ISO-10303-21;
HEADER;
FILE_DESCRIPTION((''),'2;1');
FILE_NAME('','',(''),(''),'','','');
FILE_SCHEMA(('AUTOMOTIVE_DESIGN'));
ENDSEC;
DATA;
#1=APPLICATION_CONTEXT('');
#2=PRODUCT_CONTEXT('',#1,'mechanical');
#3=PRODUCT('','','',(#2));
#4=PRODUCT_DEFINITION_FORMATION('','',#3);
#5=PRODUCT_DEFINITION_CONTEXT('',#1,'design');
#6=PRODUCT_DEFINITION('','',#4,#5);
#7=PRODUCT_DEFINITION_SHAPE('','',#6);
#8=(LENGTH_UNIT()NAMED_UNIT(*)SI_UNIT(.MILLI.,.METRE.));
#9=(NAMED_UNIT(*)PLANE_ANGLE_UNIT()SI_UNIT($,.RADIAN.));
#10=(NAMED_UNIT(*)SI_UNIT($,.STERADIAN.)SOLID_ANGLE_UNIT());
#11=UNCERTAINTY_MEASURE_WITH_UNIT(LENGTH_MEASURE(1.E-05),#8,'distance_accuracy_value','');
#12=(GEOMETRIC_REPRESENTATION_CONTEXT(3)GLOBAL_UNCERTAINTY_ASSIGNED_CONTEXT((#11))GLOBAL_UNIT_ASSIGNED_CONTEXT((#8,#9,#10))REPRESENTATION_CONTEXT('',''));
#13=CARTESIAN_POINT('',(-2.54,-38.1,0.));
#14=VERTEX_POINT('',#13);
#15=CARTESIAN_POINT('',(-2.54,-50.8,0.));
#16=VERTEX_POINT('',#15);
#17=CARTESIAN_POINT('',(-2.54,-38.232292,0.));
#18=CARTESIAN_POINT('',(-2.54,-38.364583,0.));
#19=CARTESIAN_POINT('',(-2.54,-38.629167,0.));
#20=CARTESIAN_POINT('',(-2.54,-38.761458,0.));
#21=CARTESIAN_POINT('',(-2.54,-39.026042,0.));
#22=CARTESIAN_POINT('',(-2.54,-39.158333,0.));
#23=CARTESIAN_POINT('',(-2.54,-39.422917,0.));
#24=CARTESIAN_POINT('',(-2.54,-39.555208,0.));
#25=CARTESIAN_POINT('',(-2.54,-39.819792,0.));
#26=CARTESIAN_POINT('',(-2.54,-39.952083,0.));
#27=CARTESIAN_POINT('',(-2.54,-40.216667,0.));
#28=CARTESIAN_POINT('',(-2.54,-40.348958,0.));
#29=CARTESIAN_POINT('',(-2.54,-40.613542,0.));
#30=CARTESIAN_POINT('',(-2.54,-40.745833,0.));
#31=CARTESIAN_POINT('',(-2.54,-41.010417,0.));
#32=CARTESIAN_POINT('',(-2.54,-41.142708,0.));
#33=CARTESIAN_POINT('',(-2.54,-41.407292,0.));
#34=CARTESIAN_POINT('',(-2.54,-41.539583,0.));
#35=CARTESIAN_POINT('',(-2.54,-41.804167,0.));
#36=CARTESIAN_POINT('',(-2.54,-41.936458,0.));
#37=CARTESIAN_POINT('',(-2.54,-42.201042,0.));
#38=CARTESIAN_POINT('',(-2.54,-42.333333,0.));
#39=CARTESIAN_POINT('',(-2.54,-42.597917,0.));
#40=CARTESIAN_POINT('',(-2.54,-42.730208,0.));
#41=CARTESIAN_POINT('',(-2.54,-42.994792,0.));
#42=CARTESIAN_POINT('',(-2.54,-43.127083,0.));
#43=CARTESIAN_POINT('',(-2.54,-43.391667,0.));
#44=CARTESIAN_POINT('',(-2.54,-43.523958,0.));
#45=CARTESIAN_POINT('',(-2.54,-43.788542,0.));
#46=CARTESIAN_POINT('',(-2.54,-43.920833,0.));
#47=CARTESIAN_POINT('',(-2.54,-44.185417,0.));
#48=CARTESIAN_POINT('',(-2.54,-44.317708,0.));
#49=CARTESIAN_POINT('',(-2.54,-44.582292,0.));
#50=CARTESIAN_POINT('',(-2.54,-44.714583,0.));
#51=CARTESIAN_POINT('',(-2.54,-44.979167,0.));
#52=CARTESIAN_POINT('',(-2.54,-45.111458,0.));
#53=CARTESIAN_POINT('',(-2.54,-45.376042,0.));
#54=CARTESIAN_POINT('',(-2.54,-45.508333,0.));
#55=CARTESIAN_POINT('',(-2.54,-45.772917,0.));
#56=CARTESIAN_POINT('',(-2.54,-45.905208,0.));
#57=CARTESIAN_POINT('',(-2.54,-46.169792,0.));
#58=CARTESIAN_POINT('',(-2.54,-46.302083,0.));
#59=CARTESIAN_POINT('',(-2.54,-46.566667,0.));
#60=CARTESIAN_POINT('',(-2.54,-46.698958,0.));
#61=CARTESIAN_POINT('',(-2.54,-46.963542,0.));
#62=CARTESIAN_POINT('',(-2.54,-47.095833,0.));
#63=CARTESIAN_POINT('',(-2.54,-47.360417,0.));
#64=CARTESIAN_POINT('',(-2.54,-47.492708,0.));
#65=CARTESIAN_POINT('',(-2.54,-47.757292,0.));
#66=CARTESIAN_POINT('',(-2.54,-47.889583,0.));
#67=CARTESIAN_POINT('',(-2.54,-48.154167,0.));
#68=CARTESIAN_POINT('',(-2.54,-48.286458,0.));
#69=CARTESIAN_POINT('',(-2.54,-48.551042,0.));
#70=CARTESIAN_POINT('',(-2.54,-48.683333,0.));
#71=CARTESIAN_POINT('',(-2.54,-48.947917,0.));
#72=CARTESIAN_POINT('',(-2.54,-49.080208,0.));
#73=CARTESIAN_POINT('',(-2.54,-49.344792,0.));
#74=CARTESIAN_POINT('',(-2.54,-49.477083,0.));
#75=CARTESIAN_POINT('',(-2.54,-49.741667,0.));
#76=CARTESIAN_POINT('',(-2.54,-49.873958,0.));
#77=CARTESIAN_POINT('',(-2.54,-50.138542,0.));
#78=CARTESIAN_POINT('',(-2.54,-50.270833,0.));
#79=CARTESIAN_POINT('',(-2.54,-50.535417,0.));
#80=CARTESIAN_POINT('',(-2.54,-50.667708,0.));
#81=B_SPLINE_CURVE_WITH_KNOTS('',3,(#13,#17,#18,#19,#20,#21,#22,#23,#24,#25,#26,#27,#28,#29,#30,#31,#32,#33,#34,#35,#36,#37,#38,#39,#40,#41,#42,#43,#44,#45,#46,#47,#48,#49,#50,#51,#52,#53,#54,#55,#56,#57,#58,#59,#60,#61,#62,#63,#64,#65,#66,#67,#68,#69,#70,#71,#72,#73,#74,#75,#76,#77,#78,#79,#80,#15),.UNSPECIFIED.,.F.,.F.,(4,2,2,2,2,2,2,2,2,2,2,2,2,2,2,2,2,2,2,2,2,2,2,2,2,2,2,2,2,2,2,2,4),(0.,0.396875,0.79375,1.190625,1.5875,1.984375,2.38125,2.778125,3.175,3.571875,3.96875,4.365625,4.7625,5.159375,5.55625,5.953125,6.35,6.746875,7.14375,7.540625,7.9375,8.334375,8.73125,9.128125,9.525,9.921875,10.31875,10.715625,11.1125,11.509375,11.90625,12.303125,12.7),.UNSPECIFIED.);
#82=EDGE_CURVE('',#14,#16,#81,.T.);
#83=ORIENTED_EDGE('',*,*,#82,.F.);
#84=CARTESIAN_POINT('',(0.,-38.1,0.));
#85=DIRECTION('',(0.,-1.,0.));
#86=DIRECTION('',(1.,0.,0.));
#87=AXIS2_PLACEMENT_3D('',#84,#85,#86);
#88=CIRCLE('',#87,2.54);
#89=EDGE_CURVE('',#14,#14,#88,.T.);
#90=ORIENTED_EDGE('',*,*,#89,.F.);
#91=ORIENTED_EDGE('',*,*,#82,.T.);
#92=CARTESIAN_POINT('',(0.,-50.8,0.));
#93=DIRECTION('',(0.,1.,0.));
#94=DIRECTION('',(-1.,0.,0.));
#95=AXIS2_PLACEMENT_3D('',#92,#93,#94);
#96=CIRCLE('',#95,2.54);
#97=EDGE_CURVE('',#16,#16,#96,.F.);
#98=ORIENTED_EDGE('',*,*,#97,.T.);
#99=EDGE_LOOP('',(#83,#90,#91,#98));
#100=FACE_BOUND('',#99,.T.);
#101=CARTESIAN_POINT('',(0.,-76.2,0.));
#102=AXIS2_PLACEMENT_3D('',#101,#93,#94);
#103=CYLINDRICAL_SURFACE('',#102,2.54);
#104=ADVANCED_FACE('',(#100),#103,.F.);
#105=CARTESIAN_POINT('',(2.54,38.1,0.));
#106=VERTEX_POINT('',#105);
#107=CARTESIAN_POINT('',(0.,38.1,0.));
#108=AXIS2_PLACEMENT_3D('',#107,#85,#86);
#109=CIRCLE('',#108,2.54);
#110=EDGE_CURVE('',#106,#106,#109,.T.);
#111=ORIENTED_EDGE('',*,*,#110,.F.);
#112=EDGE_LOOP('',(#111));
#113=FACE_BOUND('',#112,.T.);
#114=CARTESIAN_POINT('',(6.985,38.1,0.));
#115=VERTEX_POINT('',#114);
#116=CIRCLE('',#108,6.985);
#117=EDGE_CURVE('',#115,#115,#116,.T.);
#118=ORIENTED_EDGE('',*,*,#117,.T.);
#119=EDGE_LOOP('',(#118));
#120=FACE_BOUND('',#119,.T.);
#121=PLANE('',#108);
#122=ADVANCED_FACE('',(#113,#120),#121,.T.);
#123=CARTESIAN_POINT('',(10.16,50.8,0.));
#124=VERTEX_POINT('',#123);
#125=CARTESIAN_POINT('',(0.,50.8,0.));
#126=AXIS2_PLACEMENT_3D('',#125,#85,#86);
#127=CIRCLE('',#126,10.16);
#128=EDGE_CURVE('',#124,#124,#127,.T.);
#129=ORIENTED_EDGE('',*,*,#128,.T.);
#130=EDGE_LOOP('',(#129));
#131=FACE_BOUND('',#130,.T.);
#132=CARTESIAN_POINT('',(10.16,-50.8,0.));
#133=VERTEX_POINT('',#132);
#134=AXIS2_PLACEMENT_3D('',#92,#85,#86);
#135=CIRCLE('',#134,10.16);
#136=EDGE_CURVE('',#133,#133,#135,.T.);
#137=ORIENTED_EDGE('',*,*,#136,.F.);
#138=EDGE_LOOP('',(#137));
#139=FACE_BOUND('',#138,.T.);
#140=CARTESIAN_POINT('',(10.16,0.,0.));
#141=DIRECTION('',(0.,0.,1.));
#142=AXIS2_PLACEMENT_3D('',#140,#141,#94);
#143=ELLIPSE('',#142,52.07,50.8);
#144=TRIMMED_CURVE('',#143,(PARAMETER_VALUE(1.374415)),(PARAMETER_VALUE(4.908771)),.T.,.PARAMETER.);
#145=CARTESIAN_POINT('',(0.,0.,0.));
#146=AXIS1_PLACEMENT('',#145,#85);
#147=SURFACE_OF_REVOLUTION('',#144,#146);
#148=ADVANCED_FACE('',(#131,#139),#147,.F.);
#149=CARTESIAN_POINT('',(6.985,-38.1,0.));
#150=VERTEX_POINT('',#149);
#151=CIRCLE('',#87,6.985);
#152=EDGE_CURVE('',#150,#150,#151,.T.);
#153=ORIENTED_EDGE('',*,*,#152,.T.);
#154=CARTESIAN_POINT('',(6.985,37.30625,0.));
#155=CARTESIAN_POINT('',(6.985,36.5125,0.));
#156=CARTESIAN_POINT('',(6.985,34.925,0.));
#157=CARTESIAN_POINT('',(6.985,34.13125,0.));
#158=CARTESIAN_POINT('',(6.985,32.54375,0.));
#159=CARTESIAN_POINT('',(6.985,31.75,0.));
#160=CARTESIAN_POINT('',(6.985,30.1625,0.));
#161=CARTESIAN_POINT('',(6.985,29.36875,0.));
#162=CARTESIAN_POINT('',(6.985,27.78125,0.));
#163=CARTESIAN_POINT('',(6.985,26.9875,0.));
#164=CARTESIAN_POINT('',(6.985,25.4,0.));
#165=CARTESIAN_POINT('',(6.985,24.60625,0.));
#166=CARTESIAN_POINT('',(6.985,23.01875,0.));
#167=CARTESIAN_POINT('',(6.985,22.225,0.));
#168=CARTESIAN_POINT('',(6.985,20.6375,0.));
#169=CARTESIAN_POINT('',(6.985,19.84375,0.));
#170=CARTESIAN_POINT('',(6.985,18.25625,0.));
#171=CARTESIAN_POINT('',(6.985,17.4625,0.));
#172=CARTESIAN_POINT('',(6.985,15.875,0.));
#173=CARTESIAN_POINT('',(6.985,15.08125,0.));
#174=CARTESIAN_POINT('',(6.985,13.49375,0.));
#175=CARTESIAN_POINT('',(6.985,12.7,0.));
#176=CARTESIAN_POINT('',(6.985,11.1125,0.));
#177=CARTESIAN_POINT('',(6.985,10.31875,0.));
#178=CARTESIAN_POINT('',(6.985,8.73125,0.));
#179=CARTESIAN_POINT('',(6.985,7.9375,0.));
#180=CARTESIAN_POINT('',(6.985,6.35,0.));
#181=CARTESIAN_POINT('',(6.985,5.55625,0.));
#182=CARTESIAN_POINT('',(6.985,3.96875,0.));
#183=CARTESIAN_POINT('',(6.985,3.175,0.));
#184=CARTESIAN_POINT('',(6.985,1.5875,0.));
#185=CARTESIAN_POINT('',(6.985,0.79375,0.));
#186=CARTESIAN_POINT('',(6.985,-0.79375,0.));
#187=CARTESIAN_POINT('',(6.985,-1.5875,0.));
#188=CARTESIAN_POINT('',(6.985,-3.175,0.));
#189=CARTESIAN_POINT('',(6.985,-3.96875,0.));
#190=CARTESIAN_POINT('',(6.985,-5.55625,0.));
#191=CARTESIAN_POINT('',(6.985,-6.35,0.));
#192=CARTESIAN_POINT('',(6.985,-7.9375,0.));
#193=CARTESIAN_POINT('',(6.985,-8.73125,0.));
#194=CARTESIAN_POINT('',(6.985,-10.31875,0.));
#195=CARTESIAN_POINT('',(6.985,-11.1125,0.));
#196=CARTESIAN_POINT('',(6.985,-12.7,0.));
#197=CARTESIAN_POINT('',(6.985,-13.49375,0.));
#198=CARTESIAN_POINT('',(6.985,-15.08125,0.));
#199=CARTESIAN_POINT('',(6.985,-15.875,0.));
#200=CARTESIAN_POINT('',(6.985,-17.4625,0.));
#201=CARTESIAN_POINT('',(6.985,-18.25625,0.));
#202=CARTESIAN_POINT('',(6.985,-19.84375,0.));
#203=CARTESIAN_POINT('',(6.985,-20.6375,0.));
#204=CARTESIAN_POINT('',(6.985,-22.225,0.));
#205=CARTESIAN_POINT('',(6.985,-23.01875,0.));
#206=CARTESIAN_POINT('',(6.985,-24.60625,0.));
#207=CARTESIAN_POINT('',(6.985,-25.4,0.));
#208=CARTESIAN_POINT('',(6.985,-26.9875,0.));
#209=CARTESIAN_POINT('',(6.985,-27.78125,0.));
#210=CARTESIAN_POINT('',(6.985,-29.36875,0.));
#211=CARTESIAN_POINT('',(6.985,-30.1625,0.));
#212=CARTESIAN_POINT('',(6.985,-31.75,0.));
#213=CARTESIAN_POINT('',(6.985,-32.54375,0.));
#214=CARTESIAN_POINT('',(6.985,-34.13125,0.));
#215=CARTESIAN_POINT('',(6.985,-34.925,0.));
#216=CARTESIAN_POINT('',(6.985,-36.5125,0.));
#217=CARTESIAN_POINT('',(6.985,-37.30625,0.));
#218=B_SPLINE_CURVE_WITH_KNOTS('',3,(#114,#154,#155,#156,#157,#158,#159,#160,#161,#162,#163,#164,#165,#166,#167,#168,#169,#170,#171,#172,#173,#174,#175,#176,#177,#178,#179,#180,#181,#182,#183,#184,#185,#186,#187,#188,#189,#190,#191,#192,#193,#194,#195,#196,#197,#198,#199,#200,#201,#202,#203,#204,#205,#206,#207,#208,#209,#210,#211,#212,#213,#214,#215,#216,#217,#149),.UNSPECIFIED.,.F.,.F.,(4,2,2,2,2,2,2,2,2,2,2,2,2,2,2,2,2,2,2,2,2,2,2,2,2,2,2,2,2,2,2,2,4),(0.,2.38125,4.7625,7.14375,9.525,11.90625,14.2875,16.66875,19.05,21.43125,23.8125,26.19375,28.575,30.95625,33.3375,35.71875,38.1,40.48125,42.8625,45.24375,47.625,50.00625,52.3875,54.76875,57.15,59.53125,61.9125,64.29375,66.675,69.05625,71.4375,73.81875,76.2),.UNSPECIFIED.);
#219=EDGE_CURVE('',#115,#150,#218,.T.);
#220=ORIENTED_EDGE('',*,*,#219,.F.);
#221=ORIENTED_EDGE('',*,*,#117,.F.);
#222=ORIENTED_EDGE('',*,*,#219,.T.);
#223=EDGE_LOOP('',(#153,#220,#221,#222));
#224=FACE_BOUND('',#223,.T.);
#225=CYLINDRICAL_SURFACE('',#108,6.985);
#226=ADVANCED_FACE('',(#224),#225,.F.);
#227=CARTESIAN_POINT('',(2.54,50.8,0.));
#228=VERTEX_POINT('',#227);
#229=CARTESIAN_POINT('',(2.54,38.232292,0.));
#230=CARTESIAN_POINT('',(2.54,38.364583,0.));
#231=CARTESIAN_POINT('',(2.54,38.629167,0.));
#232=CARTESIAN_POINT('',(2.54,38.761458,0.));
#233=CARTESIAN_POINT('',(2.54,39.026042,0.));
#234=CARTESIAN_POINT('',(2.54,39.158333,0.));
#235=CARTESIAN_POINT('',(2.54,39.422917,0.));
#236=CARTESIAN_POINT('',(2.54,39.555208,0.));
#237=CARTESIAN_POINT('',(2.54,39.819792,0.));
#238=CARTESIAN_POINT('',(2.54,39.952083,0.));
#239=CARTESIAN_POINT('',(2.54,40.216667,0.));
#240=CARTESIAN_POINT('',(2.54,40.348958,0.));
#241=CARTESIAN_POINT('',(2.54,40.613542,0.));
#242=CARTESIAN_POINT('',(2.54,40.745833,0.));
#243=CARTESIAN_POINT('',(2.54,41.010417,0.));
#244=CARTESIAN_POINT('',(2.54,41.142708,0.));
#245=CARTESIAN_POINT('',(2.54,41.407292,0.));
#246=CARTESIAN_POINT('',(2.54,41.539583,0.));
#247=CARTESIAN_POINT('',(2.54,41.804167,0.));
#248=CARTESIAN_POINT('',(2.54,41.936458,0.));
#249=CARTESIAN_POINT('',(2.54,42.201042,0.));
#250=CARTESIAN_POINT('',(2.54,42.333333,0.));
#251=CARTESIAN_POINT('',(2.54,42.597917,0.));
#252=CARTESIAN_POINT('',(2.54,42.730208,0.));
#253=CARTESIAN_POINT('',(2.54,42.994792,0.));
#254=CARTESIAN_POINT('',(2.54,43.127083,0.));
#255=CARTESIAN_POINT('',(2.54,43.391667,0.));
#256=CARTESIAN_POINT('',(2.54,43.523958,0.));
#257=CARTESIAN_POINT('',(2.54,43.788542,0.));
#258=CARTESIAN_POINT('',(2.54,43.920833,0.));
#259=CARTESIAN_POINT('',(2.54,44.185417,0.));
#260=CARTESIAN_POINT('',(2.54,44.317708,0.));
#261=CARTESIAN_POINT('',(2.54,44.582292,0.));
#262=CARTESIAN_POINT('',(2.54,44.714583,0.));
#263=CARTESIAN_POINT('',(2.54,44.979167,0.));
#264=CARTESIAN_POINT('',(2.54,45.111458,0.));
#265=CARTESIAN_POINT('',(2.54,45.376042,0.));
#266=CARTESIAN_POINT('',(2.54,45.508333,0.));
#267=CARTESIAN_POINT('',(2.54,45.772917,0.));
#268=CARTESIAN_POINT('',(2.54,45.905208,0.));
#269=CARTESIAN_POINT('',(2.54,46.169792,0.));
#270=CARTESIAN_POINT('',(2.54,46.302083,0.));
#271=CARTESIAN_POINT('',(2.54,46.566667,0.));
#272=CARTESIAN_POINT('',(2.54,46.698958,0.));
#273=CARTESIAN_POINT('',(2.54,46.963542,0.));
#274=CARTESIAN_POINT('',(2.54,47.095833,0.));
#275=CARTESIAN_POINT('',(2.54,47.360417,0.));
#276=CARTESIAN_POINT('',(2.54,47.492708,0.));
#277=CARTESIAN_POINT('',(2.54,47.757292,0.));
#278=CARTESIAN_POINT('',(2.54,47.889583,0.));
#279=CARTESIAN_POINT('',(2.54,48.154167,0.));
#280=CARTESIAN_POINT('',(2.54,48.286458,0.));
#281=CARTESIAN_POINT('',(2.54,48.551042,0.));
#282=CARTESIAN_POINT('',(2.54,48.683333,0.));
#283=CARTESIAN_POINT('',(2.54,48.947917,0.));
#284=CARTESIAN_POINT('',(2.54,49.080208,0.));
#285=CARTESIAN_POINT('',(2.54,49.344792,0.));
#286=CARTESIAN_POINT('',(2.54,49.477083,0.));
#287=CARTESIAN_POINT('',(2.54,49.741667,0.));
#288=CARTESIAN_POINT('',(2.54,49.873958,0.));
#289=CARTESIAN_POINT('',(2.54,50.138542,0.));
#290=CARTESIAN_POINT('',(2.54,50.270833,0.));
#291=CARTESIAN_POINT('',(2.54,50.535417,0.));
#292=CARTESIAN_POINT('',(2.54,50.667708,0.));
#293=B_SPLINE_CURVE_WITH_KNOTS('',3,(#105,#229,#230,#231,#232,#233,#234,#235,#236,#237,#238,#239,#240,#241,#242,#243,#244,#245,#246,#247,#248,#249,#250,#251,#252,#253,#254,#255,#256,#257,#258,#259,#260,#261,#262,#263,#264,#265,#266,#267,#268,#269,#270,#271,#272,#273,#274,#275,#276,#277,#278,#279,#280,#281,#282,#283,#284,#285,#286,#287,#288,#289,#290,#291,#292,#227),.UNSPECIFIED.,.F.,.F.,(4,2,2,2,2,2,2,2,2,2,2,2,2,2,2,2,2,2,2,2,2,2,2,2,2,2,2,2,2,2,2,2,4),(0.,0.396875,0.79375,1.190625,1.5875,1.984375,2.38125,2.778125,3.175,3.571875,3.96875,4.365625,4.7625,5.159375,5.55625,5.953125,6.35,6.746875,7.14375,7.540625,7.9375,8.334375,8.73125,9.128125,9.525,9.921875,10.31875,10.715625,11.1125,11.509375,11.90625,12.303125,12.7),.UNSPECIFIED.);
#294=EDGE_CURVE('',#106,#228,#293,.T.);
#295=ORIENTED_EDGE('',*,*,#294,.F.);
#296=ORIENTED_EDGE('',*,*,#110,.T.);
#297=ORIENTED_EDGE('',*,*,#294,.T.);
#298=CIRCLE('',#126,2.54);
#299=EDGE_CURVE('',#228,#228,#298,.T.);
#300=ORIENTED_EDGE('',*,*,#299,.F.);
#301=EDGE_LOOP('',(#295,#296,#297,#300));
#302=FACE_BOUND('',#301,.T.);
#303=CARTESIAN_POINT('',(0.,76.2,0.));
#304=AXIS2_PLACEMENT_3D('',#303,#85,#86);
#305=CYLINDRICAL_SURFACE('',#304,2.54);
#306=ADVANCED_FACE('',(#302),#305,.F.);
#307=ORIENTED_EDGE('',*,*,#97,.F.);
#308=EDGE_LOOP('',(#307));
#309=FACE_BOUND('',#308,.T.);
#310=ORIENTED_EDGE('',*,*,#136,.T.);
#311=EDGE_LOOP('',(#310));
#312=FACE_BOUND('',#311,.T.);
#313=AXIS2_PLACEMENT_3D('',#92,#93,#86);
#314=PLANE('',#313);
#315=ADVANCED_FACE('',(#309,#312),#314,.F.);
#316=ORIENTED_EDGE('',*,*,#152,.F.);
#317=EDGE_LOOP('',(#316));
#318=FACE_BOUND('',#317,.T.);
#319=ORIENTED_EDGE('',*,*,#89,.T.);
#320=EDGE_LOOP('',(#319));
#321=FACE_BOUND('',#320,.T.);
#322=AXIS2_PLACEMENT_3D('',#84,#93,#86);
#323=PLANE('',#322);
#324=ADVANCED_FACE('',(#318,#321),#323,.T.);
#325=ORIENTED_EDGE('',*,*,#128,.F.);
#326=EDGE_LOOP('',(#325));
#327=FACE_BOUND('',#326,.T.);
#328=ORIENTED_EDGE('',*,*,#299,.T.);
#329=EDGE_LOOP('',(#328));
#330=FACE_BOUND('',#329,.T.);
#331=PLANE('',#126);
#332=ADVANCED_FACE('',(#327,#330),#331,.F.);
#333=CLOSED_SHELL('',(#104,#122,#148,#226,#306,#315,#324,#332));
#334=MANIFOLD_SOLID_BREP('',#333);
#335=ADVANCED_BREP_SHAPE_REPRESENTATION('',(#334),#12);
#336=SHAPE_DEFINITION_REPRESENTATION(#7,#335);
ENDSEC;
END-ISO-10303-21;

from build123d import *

# Parameters (mm, degrees)
SKETCH5_R          = 6.985
CUT_EXTRUDE1_DEPTH = 38.1
SKETCH6_R          = 2.54
CUT_EXTRUDE2_DEPTH = 38.1


with BuildPart() as part:
    # Sketch4 → Revolve1 (revolve)
    with BuildSketch(Plane.XY):
        with BuildLine():
            Line((0, 0), (62.23, 0))
            add(Edge.make_bspline(
                [(62.23, 0), (62.23, 50.8), (10.16, 50.8)],
                knots=[3.141592654, 3.141592654, 3.141592654, 4.71238898, 4.71238898, 4.71238898], degree=2, weights=[1, 0.707106781, 1]))
            Line((10.16, 50.8), (0, 50.8))
            Line((0, 50.8), (0, 0))
        make_face()
    revolve1 = revolve(axis=Axis((0, 0, 0), (0, 1, 0)))

    # Sketch5 → Cut-Extrude1 (cut)
    with BuildSketch(Plane.XZ):
        Circle(SKETCH5_R)
    cut_extrude1 = extrude(amount=-CUT_EXTRUDE1_DEPTH, mode=Mode.SUBTRACT)

    # Sketch6 → Cut-Extrude2 (cut)
    with BuildSketch(Plane.XZ.offset(-38.1)):
        Circle(SKETCH6_R)
    cut_extrude2 = extrude(amount=-CUT_EXTRUDE2_DEPTH, mode=Mode.SUBTRACT)


with BuildPart() as mirror1_1:
    # Mirror1: Revolve1 across Top Plane
    add(revolve1.mirror(Plane(origin=(0, 0, 0), x_dir=(1, 0, 0), z_dir=(0, 1, 0))))

    # Mirror1 2: Cut-Extrude1, Cut-Extrude2 across Top Plane
    add(cut_extrude1.mirror(Plane(origin=(0, 0, 0), x_dir=(1, 0, 0), z_dir=(0, 1, 0))), mode=Mode.SUBTRACT)
    add(cut_extrude2.mirror(Plane(origin=(0, 0, 0), x_dir=(1, 0, 0), z_dir=(0, 1, 0))), mode=Mode.SUBTRACT)


with BuildPart() as part_1:
    add(part.part)

    # Mirror1 united with what the copies touc: union Mirror1_1
    add(mirror1_1.part)


solid = part_1.part
